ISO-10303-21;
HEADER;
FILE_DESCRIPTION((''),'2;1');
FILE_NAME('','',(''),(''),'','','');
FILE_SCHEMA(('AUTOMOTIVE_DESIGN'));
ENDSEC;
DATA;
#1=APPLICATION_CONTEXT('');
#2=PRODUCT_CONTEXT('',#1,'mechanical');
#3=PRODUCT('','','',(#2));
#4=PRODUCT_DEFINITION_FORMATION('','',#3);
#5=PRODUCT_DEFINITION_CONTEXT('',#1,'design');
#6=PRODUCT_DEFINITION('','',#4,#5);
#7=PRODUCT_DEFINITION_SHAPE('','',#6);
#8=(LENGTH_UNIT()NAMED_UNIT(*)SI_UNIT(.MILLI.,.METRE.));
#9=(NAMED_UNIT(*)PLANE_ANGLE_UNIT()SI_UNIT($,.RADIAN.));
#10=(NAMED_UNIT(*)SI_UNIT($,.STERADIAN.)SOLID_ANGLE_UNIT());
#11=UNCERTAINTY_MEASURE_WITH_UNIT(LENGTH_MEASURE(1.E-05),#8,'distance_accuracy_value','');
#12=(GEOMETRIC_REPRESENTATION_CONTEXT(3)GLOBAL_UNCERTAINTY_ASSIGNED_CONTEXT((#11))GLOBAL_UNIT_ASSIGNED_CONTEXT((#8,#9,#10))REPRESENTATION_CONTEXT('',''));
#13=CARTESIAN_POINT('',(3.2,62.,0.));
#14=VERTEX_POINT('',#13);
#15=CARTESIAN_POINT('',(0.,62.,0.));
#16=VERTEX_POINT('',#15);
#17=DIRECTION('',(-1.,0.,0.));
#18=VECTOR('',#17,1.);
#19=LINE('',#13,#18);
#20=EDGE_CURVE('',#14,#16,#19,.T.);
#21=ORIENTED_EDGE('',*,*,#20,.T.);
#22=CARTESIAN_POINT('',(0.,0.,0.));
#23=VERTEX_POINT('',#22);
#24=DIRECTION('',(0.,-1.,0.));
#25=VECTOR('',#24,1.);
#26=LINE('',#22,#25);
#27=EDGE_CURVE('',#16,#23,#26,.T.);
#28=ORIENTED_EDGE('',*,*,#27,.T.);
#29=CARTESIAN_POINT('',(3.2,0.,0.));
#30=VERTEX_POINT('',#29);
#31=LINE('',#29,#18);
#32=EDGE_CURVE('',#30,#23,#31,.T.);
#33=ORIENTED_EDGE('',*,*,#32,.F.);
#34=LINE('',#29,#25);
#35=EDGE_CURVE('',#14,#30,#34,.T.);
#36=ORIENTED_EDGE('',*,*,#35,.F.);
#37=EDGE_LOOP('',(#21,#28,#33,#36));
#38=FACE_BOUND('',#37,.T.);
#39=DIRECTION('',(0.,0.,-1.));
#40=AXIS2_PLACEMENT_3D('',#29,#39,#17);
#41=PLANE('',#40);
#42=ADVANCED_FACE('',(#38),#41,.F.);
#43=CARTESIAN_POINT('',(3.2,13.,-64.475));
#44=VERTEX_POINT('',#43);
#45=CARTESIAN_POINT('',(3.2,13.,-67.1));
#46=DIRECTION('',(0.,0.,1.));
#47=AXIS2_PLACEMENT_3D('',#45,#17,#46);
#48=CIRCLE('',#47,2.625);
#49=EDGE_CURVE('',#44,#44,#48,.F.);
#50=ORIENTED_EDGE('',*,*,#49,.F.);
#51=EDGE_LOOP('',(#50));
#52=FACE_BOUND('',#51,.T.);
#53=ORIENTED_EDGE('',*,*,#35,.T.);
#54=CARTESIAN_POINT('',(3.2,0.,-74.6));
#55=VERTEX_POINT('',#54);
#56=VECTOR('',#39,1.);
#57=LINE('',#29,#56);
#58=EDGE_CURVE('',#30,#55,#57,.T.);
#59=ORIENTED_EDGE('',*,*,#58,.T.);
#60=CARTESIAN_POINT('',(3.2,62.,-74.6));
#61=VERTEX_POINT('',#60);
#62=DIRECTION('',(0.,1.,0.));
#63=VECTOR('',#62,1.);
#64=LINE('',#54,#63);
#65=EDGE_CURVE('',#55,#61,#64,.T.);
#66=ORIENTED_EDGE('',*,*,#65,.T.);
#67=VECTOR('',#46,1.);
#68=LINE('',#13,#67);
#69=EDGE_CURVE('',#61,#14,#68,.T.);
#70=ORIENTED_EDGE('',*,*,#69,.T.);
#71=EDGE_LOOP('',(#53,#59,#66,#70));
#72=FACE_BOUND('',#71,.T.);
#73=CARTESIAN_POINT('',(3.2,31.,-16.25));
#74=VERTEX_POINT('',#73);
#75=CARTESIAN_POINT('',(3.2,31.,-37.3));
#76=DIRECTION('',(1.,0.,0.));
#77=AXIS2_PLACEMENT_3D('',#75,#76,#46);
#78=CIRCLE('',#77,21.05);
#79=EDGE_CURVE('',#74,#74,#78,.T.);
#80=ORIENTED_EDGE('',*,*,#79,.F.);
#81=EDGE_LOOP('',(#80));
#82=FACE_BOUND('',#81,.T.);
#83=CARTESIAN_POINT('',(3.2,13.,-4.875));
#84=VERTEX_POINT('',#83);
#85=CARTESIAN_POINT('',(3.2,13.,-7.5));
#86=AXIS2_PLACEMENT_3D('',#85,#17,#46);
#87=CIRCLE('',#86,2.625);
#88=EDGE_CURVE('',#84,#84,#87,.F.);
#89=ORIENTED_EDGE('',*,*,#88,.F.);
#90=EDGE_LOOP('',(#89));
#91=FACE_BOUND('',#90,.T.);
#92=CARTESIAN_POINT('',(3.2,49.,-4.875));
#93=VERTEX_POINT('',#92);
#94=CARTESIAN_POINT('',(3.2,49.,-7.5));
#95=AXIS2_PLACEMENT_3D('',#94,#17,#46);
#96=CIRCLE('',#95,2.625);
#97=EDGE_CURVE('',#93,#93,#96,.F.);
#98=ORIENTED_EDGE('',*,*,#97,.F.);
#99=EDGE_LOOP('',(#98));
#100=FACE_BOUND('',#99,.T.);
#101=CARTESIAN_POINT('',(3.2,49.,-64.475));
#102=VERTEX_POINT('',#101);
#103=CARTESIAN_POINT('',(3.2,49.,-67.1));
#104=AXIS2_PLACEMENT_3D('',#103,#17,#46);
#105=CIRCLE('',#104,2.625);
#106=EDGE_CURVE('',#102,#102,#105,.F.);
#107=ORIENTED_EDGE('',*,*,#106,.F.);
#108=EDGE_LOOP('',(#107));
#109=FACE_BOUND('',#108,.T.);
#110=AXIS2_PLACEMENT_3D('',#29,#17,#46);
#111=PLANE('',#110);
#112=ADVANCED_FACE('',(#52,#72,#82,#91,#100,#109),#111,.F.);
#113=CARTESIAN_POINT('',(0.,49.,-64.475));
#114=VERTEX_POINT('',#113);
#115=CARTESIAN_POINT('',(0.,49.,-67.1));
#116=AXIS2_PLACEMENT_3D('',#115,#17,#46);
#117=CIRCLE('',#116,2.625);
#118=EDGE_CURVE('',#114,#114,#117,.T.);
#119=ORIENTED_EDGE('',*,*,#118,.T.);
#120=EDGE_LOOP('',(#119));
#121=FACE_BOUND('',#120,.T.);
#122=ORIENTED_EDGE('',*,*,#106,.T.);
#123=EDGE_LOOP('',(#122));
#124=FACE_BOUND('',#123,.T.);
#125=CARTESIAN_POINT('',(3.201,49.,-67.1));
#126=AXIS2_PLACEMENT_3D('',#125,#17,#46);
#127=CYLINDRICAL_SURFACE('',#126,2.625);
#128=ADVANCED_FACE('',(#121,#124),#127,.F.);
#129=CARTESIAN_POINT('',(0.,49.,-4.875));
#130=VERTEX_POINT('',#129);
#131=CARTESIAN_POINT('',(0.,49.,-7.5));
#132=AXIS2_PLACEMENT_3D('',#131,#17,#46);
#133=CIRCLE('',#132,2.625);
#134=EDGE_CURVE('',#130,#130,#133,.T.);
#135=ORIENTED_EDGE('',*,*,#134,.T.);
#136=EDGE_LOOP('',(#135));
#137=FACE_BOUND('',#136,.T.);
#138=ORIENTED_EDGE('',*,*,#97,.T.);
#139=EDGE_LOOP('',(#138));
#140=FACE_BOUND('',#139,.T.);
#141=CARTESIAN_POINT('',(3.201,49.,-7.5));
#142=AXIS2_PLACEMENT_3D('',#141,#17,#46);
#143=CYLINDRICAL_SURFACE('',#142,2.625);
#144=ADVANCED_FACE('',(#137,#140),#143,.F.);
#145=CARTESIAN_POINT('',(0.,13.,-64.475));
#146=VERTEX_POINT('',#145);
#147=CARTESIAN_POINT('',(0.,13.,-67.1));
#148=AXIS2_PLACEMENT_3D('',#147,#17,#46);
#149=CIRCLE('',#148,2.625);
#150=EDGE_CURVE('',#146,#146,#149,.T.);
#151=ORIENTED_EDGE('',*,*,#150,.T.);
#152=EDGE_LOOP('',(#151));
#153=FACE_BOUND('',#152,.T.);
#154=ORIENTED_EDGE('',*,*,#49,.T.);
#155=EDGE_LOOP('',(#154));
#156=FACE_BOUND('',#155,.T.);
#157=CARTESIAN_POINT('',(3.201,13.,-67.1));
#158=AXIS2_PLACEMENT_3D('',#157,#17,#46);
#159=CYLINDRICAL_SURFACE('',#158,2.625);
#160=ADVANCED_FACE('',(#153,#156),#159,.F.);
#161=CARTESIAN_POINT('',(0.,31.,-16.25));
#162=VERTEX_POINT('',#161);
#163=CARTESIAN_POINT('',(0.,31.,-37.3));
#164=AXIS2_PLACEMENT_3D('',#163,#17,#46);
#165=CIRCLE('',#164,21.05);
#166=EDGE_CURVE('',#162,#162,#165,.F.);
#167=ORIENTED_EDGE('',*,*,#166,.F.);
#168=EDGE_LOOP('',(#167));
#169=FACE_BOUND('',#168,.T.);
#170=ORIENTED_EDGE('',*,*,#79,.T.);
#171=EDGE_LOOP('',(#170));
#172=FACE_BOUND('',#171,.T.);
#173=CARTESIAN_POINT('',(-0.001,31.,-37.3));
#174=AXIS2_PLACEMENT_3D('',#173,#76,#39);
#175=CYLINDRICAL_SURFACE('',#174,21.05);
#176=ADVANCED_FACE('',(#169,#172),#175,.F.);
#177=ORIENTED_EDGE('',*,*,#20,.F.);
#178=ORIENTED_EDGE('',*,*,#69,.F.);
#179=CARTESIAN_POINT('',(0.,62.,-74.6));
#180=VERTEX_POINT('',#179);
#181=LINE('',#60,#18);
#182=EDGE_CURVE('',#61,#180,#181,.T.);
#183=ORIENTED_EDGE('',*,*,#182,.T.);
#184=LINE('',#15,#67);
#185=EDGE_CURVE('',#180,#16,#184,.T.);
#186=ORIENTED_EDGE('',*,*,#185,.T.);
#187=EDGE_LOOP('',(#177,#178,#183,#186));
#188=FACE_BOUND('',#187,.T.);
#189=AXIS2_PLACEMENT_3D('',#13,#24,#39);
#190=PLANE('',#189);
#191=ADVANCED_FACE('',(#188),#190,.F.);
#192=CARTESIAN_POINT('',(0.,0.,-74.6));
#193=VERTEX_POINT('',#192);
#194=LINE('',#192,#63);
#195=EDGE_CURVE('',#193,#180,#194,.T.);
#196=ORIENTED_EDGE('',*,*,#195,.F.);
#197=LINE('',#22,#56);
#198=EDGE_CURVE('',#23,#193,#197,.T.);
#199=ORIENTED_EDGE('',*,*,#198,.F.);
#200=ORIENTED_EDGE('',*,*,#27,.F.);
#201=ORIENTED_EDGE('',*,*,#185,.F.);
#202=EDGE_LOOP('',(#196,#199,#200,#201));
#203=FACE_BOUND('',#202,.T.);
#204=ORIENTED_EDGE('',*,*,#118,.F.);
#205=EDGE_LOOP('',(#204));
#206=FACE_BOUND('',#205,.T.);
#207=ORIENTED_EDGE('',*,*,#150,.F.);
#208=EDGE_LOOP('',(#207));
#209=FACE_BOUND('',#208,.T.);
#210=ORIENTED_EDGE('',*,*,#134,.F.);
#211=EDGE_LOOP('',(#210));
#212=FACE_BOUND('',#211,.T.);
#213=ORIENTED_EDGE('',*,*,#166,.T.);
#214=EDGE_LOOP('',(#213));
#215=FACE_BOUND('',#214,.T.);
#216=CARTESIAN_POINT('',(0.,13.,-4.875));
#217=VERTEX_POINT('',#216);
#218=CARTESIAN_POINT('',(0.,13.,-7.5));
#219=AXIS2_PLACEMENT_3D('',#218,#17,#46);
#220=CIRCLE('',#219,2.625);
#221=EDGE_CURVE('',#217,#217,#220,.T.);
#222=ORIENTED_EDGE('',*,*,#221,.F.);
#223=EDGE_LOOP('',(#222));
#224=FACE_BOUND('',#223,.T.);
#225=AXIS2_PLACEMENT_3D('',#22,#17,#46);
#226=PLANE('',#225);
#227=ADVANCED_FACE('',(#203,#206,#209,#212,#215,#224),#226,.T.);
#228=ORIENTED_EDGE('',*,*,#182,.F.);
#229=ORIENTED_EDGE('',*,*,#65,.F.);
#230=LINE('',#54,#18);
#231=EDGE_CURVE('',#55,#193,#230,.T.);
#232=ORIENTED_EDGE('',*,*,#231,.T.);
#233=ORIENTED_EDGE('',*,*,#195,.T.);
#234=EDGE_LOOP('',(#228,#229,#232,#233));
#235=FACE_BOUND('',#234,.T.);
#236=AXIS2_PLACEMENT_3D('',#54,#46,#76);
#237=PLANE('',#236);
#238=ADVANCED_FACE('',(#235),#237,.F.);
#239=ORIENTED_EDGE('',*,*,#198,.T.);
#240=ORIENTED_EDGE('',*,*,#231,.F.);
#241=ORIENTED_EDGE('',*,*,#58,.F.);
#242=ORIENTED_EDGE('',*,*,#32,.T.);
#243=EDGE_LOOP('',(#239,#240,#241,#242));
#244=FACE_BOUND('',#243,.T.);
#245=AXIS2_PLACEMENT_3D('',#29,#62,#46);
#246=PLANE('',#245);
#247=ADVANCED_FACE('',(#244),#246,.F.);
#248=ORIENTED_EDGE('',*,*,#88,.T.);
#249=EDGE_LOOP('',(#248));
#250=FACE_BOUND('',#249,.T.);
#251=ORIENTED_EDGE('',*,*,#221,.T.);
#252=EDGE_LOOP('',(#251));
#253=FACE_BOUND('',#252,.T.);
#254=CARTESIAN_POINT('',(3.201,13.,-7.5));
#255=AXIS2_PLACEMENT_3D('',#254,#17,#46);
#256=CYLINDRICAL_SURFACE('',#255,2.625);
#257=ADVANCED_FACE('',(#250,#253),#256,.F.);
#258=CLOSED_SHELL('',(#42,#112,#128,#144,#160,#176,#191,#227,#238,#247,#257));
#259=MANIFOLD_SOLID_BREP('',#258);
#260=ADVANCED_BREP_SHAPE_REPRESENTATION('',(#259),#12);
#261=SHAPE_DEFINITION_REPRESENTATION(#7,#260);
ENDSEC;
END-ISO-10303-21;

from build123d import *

# Parameters (mm, degrees)
SKETCH1_W           = 74.6
SKETCH1_H           = 62
BOSS_EXTRUDE1_DEPTH = 3.2
CUT_EXTRUDE1_REACH  = 5.2
SKETCH2_R           = 21.05
CUT_EXTRUDE2_REACH  = 5.2
SKETCH3_R           = 2.625


with BuildPart() as part:
    # Sketch1 → Boss-Extrude1 (new body)
    with BuildSketch(Plane(origin=(0, 0, 0), x_dir=(0, 0, -1), z_dir=(1, 0, 0))):
        with Locations((37.3, 31)):
            Rectangle(SKETCH1_W, SKETCH1_H)
    extrude(amount=BOSS_EXTRUDE1_DEPTH)

    # Sketch2 → Cut-Extrude1 (cut, up to next)
    with BuildSketch(Plane(origin=(3.2, 0, 0), x_dir=(0, 0, -1), z_dir=(1, 0, 0)), mode=Mode.PRIVATE) as cut_extrude1_sk1:
        with Locations((37.3, 31)):
            Circle(SKETCH2_R)
    cut_extrude1_tool1 = extrude(cut_extrude1_sk1.sketch, amount=-CUT_EXTRUDE1_REACH, mode=Mode.PRIVATE) & part.part
    add(cut_extrude1_tool1.solids().sort_by_distance((3.2, 31, -37.3))[0], mode=Mode.SUBTRACT)

    # Sketch3 → Cut-Extrude2 (cut, up to next)
    with BuildSketch(Plane.ZY, mode=Mode.PRIVATE) as cut_extrude2_sk1:
        with Locations((-67.1, 13)):
            Circle(SKETCH3_R)
    cut_extrude2_tool1 = extrude(cut_extrude2_sk1.sketch, amount=-CUT_EXTRUDE2_REACH, mode=Mode.PRIVATE) & part.part
    add(cut_extrude2_tool1.solids().sort_by_distance((0, 13, -67.1))[0], mode=Mode.SUBTRACT)
    # Sketch3 → Cut-Extrude2 (cut, up to next)
    with BuildSketch(Plane.ZY, mode=Mode.PRIVATE) as cut_extrude2_sk2:
        with Locations((-67.1, 49)):
            Circle(SKETCH3_R)
    cut_extrude2_tool2 = extrude(cut_extrude2_sk2.sketch, amount=-CUT_EXTRUDE2_REACH, mode=Mode.PRIVATE) & part.part
    add(cut_extrude2_tool2.solids().sort_by_distance((0, 49, -67.1))[0], mode=Mode.SUBTRACT)
    # Sketch3 → Cut-Extrude2 (cut, up to next)
    with BuildSketch(Plane.ZY, mode=Mode.PRIVATE) as cut_extrude2_sk3:
        with Locations((-7.5, 13)):
            Circle(SKETCH3_R)
    cut_extrude2_tool3 = extrude(cut_extrude2_sk3.sketch, amount=-CUT_EXTRUDE2_REACH, mode=Mode.PRIVATE) & part.part
    add(cut_extrude2_tool3.solids().sort_by_distance((0, 13, -7.5))[0], mode=Mode.SUBTRACT)
    # Sketch3 → Cut-Extrude2 (cut, up to next)
    with BuildSketch(Plane.ZY, mode=Mode.PRIVATE) as cut_extrude2_sk4:
        with Locations((-7.5, 49)):
            Circle(SKETCH3_R)
    cut_extrude2_tool4 = extrude(cut_extrude2_sk4.sketch, amount=-CUT_EXTRUDE2_REACH, mode=Mode.PRIVATE) & part.part
    add(cut_extrude2_tool4.solids().sort_by_distance((0, 49, -7.5))[0], mode=Mode.SUBTRACT)


solid = part.part
